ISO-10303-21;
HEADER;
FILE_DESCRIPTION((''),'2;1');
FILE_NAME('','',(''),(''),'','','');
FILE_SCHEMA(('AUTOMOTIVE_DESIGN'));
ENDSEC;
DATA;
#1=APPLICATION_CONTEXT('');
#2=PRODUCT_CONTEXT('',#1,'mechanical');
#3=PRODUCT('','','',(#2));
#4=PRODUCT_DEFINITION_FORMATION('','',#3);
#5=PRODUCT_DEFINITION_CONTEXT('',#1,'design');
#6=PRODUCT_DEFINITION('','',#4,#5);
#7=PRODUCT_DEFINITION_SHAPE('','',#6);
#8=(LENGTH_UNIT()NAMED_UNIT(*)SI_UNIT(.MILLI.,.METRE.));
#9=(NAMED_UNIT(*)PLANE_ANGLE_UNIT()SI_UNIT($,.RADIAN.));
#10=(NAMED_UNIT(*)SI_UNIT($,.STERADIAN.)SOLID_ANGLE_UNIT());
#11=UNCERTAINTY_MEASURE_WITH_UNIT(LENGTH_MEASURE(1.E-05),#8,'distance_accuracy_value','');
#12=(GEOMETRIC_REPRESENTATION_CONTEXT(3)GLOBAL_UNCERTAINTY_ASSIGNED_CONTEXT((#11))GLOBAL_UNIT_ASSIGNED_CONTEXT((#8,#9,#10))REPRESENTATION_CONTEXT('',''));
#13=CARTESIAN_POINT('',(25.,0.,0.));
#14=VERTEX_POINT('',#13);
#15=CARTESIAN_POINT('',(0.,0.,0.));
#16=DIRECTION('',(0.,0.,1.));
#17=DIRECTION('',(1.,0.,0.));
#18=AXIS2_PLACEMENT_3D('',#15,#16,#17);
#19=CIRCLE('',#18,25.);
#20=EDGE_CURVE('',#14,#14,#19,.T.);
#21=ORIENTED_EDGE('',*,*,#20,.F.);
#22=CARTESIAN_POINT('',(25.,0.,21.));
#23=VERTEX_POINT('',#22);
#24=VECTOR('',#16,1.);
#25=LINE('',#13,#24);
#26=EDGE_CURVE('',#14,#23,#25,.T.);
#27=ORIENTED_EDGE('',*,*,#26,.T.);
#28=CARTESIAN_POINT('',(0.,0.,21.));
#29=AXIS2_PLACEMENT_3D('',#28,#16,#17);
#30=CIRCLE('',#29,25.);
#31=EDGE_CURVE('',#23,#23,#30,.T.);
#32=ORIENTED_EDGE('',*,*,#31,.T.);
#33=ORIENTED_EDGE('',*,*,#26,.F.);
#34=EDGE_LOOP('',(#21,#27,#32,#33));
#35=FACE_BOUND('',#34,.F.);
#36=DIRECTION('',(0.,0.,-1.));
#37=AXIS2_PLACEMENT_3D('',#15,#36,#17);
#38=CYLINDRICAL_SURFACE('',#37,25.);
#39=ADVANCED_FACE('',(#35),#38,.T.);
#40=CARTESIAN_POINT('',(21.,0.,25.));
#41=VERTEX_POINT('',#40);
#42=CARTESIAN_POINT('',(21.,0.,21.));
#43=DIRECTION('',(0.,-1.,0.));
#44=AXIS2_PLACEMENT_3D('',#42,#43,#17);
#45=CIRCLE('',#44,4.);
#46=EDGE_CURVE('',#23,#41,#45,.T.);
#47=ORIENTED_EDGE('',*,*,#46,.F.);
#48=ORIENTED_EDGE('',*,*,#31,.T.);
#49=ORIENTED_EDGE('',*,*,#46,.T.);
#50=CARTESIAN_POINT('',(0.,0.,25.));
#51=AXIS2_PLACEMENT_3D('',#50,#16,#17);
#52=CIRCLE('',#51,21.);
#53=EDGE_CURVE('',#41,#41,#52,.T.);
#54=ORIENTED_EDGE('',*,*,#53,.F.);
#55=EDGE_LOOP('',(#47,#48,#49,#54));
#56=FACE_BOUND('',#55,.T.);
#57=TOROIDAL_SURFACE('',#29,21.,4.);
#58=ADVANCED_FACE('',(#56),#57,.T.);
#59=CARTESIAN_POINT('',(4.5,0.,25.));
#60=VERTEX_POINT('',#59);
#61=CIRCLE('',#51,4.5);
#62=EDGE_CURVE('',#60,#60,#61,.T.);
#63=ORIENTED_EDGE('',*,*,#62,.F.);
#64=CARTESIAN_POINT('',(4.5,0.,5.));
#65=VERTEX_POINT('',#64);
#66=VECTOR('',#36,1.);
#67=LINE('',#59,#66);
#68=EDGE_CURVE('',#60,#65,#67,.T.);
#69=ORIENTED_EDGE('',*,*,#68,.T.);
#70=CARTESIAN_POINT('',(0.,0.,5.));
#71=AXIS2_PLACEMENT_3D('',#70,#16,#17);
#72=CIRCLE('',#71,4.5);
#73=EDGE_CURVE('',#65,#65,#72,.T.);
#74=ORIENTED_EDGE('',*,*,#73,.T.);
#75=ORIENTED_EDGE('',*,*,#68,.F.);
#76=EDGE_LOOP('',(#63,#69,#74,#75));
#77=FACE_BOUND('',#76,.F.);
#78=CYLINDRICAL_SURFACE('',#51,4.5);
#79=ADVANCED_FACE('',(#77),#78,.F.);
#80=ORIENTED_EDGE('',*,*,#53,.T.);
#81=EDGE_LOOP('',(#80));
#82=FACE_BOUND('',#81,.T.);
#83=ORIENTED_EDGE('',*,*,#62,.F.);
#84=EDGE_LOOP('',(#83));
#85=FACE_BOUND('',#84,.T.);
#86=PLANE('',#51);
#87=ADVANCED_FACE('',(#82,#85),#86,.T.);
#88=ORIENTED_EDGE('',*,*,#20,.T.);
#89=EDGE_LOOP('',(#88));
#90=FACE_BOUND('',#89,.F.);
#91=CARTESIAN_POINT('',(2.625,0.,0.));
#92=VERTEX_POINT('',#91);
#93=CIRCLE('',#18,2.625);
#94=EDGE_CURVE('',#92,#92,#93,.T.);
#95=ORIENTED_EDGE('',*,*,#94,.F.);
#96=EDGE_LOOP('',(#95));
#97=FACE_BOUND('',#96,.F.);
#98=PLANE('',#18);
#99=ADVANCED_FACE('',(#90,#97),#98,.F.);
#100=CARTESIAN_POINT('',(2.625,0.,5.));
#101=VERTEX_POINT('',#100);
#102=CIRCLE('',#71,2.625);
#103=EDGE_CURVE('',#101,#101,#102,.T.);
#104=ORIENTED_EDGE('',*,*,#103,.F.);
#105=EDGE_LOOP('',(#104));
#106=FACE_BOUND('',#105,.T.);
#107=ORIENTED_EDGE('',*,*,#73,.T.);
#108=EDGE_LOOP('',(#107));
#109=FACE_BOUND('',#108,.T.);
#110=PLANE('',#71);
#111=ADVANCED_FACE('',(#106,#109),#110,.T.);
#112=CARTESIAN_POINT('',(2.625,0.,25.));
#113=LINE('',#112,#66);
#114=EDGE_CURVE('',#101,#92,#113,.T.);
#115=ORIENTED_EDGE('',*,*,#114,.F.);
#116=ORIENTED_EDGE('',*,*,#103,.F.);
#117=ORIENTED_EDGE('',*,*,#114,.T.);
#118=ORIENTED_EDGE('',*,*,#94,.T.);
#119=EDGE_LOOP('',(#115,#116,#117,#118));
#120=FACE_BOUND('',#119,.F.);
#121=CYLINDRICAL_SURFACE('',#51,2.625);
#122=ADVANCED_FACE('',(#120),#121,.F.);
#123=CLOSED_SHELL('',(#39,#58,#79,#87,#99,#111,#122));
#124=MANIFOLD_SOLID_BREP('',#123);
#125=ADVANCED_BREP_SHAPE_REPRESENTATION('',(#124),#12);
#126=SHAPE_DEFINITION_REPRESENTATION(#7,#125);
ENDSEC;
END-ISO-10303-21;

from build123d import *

# Parameters (mm, degrees)
F0_R     = 25
F1_DEPTH = 25
F2_R     = 2.625
F3_DEPTH = 25
F4_R     = 4.5
F5_DEPTH = 20
F6_R     = 4


with BuildPart() as f1:
    # F0 (on Top) → F1 (new body)
    with BuildSketch(Plane.XY):
        Circle(F0_R)
    extrude(amount=F1_DEPTH)

    # F2 (on face) → F3 (cut)
    with BuildSketch(Plane.XY.offset(25)):
        Circle(F2_R)
    extrude(amount=-F3_DEPTH, mode=Mode.SUBTRACT)

    # F4 (on face) → F5 (cut)
    with BuildSketch(Plane.XY.offset(25)):
        Circle(F4_R)
    extrude(amount=-F5_DEPTH, mode=Mode.SUBTRACT)

    # F6
    f6_edges = [f1.edges().sort_by_distance(p)[0] for p in [
        (-25, 0, 25),
    ]]
    fillet(f6_edges, radius=F6_R)


solid = f1.part
